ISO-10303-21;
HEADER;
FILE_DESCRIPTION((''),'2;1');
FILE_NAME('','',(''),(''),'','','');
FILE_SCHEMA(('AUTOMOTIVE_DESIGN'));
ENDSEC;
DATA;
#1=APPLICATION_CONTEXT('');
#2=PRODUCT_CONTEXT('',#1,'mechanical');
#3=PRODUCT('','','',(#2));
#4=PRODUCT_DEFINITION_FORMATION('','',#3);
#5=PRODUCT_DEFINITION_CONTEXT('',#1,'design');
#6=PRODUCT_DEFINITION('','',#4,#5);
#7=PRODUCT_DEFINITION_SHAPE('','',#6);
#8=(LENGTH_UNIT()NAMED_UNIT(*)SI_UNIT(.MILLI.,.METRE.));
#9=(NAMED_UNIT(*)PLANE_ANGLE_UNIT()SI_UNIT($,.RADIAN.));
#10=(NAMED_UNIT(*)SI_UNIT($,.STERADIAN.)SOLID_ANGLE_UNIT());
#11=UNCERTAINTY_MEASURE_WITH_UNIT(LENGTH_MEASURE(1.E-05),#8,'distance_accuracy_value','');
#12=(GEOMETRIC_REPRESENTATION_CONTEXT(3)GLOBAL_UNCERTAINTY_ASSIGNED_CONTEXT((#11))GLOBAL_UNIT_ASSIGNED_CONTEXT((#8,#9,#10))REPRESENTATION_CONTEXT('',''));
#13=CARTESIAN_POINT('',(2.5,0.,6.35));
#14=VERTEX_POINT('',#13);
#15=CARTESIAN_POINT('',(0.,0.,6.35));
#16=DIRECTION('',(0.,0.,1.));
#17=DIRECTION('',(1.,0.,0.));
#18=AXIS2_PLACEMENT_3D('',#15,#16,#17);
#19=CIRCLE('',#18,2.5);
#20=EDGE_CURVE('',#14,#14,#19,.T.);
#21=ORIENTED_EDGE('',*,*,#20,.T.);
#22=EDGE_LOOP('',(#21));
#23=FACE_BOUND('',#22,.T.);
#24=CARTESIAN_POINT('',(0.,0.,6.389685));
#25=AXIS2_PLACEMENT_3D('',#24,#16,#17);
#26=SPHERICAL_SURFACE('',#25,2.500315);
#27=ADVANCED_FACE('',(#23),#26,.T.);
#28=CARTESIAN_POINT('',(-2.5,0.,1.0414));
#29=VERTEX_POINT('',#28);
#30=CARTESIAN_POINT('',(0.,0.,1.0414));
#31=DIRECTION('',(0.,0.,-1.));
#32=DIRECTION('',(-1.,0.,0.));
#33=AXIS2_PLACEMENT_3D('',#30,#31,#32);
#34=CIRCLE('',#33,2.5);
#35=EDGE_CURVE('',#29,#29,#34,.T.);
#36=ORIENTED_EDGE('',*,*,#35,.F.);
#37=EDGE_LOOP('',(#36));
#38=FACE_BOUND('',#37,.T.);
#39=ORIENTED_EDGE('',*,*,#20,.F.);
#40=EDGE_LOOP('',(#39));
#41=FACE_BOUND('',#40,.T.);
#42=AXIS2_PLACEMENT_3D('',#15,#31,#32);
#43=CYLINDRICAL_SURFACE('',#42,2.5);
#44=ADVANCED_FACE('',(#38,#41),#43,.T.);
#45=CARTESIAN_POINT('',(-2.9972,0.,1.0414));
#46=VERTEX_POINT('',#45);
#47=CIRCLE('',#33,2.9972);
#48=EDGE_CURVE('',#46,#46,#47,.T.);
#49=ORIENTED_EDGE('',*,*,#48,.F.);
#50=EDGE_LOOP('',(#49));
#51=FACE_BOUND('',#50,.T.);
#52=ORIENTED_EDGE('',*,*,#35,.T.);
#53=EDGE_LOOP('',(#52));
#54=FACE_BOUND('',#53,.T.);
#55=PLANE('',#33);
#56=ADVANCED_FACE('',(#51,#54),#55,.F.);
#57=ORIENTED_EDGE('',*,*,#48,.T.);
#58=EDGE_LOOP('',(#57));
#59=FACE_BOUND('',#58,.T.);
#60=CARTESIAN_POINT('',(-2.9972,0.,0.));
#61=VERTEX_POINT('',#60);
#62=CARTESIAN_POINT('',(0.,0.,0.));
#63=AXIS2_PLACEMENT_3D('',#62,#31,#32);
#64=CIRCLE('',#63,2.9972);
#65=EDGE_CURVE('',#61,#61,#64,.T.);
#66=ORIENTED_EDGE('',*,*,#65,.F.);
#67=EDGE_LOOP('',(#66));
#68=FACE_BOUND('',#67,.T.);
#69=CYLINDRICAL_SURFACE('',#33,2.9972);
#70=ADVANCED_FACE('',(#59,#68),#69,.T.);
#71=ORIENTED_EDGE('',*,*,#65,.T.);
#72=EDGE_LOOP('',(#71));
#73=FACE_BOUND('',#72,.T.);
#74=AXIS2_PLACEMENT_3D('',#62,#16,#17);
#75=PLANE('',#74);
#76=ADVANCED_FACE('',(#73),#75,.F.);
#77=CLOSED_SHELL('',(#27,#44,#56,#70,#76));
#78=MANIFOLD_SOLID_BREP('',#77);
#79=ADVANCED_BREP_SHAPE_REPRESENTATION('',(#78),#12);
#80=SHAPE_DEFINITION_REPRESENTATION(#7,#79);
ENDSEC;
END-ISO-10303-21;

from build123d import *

# Parameters (mm, degrees)
SKETCH1_R           = 2.5
BOSS_EXTRUDE1_DEPTH = 6.35
DOME1_FACE_RADIUS   = 2.5
DOME1_HEIGHT        = 2.54
SKETCH3_R           = 2.9972
BOSS_EXTRUDE2_DEPTH = 1.0414


with BuildPart() as part:
    # Sketch1 → Boss-Extrude1 (new body)
    with BuildSketch(Plane.XY):
        Circle(SKETCH1_R)
    extrude(amount=BOSS_EXTRUDE1_DEPTH)

    # Dome1: a dome of height H over a round flat face of radius A is a cap of a sphere of radius (A * A + H * H) / (2 * H)
    dome1_r = (DOME1_FACE_RADIUS * DOME1_FACE_RADIUS + DOME1_HEIGHT * DOME1_HEIGHT) / (2 * DOME1_HEIGHT)
    dome1_base = Plane((0, 0, 6.35), z_dir=(0, 0, 1))
    with Locations(dome1_base.offset(DOME1_HEIGHT - dome1_r)):
        dome1_ball = Sphere(dome1_r, mode=Mode.PRIVATE)
    add(split(dome1_ball, bisect_by=dome1_base, keep=Keep.TOP, mode=Mode.PRIVATE))

    # Sketch3 → Boss-Extrude2 (add)
    with BuildSketch(Plane(origin=(0, 0, 0), x_dir=(-1, 0, 0), z_dir=(0, 0, -1))):
        Circle(SKETCH3_R)
    extrude(amount=-BOSS_EXTRUDE2_DEPTH)


solid = part.part
